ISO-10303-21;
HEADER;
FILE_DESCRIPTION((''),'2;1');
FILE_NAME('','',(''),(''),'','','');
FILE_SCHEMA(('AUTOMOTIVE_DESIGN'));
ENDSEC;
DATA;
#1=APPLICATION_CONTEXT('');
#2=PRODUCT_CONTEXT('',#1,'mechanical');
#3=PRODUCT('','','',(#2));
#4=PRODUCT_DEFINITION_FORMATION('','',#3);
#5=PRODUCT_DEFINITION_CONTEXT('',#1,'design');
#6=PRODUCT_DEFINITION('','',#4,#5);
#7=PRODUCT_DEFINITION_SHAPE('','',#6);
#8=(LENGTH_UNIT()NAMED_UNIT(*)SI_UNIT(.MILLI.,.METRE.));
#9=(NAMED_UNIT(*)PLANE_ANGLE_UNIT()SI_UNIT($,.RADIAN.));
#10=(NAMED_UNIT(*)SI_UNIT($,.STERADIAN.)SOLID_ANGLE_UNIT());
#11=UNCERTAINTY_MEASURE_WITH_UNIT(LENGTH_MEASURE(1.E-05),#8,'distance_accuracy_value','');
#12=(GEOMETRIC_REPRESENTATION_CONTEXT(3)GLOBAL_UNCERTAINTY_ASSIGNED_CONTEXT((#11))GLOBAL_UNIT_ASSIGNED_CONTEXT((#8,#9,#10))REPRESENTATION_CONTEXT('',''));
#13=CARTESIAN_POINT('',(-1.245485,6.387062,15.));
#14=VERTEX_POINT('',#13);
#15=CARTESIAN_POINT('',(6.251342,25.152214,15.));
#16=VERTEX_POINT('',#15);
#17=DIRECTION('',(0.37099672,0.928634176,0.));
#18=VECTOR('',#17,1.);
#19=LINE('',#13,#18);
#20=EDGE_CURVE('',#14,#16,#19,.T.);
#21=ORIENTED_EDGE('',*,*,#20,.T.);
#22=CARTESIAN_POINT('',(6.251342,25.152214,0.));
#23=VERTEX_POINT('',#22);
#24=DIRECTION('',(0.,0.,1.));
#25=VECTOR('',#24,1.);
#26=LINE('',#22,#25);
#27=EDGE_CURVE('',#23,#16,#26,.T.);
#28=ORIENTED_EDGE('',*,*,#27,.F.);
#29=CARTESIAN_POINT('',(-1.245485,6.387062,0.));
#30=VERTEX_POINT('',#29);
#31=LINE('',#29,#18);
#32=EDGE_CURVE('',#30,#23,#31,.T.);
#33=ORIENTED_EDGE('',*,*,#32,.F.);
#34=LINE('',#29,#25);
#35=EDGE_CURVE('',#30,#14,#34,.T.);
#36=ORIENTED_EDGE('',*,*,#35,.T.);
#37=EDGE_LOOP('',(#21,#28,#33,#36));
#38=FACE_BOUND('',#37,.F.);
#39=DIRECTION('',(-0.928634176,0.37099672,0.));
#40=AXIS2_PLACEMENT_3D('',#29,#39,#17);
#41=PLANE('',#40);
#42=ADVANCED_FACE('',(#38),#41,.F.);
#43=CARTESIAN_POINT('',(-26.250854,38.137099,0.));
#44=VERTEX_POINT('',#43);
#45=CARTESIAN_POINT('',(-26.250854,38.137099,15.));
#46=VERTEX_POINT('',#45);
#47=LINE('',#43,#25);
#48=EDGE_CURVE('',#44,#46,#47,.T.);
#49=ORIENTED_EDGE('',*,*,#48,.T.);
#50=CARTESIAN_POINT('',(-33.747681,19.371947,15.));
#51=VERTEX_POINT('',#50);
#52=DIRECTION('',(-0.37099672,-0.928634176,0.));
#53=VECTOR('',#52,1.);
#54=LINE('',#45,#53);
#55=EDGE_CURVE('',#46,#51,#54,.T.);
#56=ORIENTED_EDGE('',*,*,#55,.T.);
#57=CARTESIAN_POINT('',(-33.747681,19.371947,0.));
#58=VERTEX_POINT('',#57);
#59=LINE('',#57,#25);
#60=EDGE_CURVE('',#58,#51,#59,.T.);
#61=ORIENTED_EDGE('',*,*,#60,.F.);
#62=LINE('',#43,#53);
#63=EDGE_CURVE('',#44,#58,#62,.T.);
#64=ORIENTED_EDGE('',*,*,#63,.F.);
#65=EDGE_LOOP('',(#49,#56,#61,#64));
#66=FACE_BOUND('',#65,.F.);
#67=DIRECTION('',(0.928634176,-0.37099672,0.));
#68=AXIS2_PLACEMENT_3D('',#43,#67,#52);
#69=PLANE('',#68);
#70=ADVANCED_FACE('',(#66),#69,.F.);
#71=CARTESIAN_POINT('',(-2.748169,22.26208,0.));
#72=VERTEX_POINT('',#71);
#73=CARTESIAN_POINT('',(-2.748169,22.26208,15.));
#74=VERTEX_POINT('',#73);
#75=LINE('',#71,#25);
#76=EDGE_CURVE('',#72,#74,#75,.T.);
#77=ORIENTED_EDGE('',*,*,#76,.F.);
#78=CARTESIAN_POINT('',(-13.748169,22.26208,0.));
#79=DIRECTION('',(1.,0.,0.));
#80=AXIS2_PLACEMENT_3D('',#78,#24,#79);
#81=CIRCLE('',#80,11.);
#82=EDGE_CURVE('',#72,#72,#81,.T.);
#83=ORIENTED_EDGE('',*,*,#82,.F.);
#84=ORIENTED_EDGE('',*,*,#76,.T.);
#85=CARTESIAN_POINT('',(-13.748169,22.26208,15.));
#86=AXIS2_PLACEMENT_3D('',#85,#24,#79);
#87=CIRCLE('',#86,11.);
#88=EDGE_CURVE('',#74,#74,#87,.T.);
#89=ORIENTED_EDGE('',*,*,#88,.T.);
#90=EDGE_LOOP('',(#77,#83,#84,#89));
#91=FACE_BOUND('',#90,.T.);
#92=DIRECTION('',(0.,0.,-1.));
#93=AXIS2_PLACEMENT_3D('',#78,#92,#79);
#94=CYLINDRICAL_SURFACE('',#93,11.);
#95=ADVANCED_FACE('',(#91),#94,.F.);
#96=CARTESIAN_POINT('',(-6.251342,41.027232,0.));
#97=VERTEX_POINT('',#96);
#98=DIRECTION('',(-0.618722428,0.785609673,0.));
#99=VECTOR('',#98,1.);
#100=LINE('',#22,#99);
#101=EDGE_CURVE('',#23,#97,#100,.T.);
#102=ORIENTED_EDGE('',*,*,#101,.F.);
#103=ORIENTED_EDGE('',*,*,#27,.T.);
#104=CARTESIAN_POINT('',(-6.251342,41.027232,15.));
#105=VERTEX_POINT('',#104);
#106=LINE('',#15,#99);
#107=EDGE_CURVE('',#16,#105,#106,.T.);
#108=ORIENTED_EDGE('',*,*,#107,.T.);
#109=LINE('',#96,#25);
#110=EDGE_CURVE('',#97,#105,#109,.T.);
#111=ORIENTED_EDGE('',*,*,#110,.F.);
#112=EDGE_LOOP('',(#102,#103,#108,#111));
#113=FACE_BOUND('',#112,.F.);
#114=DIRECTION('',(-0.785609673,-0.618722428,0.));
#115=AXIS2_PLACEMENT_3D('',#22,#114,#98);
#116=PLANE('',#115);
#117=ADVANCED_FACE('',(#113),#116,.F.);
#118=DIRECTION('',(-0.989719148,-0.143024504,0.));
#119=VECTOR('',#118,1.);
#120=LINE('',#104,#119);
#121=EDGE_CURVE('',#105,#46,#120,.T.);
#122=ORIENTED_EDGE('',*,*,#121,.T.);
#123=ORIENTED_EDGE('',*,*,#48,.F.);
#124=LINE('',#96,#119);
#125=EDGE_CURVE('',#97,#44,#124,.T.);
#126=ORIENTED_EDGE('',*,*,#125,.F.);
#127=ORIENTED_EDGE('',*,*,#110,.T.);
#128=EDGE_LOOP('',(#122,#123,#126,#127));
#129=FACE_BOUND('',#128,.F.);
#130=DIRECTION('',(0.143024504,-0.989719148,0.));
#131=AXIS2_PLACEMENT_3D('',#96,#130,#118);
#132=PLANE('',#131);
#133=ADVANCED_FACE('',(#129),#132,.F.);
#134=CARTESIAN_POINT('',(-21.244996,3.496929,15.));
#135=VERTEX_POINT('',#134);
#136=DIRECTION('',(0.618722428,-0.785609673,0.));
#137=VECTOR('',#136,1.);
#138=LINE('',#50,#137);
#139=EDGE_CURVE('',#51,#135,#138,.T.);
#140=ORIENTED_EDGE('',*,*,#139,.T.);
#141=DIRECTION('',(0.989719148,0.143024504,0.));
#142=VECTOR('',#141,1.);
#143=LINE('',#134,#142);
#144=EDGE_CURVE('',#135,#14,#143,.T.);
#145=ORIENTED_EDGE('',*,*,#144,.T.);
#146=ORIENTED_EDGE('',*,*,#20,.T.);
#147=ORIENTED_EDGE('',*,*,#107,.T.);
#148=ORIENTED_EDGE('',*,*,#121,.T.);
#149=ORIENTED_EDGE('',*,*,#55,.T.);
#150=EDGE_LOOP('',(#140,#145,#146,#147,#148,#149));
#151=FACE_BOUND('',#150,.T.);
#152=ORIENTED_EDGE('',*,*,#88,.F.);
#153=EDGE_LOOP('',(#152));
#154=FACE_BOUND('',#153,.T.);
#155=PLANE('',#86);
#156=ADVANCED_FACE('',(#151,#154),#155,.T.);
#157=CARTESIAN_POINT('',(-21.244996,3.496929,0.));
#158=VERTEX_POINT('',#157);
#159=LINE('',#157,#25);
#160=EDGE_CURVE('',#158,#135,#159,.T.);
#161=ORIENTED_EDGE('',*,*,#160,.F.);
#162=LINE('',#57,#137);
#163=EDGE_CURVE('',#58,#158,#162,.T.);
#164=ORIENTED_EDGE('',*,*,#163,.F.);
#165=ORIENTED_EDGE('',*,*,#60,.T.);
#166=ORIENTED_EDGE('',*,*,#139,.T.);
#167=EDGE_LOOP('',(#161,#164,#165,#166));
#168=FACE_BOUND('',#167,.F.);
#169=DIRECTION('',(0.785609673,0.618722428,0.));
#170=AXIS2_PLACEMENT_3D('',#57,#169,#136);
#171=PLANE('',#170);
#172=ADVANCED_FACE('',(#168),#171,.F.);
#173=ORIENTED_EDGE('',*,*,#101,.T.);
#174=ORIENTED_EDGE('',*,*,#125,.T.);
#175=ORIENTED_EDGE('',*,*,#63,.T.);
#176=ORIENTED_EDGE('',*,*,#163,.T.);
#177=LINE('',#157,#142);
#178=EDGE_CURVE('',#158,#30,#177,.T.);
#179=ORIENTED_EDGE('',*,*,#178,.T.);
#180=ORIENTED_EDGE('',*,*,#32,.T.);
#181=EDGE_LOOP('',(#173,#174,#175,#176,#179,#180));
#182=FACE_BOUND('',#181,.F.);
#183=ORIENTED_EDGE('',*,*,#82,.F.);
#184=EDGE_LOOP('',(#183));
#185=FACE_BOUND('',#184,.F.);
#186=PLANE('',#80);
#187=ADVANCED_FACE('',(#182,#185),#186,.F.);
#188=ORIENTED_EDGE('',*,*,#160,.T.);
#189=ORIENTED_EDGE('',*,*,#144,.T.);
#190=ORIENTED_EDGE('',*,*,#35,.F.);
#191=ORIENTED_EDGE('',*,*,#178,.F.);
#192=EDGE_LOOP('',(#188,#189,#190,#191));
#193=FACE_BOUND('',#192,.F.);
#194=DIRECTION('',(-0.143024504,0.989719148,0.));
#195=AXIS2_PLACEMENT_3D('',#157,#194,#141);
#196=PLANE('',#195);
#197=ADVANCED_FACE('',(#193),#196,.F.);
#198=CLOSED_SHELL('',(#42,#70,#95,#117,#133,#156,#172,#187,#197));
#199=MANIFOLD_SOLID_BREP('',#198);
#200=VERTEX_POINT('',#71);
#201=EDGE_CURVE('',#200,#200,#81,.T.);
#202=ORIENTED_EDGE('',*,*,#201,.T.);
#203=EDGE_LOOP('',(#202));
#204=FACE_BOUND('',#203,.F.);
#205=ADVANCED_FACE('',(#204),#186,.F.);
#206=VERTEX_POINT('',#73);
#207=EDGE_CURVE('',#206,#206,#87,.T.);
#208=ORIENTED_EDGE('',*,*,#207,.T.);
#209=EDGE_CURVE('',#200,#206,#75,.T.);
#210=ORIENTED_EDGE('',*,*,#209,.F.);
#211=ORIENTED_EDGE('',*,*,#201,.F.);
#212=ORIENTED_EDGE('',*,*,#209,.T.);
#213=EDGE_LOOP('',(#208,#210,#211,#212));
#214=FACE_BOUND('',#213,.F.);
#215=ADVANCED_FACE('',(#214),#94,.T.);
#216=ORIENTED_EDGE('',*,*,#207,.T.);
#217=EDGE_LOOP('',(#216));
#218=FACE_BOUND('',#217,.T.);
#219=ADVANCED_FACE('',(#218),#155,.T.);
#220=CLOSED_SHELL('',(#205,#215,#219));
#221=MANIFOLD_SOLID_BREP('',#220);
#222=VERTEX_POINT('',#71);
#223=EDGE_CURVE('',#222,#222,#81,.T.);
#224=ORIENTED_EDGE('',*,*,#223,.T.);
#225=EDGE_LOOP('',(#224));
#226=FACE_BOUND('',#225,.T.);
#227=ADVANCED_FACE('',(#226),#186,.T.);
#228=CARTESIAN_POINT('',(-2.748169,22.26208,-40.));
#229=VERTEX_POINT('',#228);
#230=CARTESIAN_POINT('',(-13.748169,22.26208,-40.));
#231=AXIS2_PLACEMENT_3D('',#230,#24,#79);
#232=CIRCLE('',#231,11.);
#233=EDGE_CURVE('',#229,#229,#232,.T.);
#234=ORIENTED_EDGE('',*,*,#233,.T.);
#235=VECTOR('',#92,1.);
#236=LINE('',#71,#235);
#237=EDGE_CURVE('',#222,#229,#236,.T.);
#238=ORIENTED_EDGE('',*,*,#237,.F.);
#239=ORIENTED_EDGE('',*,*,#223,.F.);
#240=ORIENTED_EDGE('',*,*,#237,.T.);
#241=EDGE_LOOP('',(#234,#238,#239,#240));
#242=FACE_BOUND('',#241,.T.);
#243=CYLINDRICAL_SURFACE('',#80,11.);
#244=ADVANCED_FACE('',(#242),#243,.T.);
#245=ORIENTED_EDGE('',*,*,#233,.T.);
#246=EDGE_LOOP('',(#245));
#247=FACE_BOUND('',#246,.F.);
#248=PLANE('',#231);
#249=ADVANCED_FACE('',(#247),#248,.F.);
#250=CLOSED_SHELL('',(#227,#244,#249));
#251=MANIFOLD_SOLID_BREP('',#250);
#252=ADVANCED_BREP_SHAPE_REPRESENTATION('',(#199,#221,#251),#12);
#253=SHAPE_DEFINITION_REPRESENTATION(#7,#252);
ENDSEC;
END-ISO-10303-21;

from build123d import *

# Parameters (mm, degrees)
F0_R     = 11
F1_DEPTH = 40
F2_DEPTH = 15
F3_DEPTH = 15


with BuildPart() as f1:
    # F0 (on Top) → F1 (new body)
    with BuildSketch(Plane.XY):
        with Locations((-13.7481692702, 22.2620804769)):
            Circle(F0_R)
    extrude(amount=-F1_DEPTH)


with BuildPart() as f2:
    # F0 (on Top) → F2 (new body)
    with BuildSketch(Plane.XY):
        Polygon((6.2513423017, 25.1522137299), (-6.2513423017, 41.0272321879), (-26.2508538735, 38.137098935), (-33.7476808421, 19.371947224), (-21.2449962388, 3.4969287659), (-1.2454846669, 6.3870620189), align=None)
        with Locations((-13.7481692702, 22.2620804769)):
            Circle(F0_R, mode=Mode.SUBTRACT)
    extrude(amount=F2_DEPTH)


with BuildPart() as f3:
    # F3 (new): a face of the model
    f3_faces = [f1.part.faces().sort_by_distance(p)[0] for p in [
        (-13.7481692702, 22.2620804769, 0),
    ]]
    extrude(f3_faces, amount=F3_DEPTH)


solid = Compound([f1.part, f2.part, f3.part])
